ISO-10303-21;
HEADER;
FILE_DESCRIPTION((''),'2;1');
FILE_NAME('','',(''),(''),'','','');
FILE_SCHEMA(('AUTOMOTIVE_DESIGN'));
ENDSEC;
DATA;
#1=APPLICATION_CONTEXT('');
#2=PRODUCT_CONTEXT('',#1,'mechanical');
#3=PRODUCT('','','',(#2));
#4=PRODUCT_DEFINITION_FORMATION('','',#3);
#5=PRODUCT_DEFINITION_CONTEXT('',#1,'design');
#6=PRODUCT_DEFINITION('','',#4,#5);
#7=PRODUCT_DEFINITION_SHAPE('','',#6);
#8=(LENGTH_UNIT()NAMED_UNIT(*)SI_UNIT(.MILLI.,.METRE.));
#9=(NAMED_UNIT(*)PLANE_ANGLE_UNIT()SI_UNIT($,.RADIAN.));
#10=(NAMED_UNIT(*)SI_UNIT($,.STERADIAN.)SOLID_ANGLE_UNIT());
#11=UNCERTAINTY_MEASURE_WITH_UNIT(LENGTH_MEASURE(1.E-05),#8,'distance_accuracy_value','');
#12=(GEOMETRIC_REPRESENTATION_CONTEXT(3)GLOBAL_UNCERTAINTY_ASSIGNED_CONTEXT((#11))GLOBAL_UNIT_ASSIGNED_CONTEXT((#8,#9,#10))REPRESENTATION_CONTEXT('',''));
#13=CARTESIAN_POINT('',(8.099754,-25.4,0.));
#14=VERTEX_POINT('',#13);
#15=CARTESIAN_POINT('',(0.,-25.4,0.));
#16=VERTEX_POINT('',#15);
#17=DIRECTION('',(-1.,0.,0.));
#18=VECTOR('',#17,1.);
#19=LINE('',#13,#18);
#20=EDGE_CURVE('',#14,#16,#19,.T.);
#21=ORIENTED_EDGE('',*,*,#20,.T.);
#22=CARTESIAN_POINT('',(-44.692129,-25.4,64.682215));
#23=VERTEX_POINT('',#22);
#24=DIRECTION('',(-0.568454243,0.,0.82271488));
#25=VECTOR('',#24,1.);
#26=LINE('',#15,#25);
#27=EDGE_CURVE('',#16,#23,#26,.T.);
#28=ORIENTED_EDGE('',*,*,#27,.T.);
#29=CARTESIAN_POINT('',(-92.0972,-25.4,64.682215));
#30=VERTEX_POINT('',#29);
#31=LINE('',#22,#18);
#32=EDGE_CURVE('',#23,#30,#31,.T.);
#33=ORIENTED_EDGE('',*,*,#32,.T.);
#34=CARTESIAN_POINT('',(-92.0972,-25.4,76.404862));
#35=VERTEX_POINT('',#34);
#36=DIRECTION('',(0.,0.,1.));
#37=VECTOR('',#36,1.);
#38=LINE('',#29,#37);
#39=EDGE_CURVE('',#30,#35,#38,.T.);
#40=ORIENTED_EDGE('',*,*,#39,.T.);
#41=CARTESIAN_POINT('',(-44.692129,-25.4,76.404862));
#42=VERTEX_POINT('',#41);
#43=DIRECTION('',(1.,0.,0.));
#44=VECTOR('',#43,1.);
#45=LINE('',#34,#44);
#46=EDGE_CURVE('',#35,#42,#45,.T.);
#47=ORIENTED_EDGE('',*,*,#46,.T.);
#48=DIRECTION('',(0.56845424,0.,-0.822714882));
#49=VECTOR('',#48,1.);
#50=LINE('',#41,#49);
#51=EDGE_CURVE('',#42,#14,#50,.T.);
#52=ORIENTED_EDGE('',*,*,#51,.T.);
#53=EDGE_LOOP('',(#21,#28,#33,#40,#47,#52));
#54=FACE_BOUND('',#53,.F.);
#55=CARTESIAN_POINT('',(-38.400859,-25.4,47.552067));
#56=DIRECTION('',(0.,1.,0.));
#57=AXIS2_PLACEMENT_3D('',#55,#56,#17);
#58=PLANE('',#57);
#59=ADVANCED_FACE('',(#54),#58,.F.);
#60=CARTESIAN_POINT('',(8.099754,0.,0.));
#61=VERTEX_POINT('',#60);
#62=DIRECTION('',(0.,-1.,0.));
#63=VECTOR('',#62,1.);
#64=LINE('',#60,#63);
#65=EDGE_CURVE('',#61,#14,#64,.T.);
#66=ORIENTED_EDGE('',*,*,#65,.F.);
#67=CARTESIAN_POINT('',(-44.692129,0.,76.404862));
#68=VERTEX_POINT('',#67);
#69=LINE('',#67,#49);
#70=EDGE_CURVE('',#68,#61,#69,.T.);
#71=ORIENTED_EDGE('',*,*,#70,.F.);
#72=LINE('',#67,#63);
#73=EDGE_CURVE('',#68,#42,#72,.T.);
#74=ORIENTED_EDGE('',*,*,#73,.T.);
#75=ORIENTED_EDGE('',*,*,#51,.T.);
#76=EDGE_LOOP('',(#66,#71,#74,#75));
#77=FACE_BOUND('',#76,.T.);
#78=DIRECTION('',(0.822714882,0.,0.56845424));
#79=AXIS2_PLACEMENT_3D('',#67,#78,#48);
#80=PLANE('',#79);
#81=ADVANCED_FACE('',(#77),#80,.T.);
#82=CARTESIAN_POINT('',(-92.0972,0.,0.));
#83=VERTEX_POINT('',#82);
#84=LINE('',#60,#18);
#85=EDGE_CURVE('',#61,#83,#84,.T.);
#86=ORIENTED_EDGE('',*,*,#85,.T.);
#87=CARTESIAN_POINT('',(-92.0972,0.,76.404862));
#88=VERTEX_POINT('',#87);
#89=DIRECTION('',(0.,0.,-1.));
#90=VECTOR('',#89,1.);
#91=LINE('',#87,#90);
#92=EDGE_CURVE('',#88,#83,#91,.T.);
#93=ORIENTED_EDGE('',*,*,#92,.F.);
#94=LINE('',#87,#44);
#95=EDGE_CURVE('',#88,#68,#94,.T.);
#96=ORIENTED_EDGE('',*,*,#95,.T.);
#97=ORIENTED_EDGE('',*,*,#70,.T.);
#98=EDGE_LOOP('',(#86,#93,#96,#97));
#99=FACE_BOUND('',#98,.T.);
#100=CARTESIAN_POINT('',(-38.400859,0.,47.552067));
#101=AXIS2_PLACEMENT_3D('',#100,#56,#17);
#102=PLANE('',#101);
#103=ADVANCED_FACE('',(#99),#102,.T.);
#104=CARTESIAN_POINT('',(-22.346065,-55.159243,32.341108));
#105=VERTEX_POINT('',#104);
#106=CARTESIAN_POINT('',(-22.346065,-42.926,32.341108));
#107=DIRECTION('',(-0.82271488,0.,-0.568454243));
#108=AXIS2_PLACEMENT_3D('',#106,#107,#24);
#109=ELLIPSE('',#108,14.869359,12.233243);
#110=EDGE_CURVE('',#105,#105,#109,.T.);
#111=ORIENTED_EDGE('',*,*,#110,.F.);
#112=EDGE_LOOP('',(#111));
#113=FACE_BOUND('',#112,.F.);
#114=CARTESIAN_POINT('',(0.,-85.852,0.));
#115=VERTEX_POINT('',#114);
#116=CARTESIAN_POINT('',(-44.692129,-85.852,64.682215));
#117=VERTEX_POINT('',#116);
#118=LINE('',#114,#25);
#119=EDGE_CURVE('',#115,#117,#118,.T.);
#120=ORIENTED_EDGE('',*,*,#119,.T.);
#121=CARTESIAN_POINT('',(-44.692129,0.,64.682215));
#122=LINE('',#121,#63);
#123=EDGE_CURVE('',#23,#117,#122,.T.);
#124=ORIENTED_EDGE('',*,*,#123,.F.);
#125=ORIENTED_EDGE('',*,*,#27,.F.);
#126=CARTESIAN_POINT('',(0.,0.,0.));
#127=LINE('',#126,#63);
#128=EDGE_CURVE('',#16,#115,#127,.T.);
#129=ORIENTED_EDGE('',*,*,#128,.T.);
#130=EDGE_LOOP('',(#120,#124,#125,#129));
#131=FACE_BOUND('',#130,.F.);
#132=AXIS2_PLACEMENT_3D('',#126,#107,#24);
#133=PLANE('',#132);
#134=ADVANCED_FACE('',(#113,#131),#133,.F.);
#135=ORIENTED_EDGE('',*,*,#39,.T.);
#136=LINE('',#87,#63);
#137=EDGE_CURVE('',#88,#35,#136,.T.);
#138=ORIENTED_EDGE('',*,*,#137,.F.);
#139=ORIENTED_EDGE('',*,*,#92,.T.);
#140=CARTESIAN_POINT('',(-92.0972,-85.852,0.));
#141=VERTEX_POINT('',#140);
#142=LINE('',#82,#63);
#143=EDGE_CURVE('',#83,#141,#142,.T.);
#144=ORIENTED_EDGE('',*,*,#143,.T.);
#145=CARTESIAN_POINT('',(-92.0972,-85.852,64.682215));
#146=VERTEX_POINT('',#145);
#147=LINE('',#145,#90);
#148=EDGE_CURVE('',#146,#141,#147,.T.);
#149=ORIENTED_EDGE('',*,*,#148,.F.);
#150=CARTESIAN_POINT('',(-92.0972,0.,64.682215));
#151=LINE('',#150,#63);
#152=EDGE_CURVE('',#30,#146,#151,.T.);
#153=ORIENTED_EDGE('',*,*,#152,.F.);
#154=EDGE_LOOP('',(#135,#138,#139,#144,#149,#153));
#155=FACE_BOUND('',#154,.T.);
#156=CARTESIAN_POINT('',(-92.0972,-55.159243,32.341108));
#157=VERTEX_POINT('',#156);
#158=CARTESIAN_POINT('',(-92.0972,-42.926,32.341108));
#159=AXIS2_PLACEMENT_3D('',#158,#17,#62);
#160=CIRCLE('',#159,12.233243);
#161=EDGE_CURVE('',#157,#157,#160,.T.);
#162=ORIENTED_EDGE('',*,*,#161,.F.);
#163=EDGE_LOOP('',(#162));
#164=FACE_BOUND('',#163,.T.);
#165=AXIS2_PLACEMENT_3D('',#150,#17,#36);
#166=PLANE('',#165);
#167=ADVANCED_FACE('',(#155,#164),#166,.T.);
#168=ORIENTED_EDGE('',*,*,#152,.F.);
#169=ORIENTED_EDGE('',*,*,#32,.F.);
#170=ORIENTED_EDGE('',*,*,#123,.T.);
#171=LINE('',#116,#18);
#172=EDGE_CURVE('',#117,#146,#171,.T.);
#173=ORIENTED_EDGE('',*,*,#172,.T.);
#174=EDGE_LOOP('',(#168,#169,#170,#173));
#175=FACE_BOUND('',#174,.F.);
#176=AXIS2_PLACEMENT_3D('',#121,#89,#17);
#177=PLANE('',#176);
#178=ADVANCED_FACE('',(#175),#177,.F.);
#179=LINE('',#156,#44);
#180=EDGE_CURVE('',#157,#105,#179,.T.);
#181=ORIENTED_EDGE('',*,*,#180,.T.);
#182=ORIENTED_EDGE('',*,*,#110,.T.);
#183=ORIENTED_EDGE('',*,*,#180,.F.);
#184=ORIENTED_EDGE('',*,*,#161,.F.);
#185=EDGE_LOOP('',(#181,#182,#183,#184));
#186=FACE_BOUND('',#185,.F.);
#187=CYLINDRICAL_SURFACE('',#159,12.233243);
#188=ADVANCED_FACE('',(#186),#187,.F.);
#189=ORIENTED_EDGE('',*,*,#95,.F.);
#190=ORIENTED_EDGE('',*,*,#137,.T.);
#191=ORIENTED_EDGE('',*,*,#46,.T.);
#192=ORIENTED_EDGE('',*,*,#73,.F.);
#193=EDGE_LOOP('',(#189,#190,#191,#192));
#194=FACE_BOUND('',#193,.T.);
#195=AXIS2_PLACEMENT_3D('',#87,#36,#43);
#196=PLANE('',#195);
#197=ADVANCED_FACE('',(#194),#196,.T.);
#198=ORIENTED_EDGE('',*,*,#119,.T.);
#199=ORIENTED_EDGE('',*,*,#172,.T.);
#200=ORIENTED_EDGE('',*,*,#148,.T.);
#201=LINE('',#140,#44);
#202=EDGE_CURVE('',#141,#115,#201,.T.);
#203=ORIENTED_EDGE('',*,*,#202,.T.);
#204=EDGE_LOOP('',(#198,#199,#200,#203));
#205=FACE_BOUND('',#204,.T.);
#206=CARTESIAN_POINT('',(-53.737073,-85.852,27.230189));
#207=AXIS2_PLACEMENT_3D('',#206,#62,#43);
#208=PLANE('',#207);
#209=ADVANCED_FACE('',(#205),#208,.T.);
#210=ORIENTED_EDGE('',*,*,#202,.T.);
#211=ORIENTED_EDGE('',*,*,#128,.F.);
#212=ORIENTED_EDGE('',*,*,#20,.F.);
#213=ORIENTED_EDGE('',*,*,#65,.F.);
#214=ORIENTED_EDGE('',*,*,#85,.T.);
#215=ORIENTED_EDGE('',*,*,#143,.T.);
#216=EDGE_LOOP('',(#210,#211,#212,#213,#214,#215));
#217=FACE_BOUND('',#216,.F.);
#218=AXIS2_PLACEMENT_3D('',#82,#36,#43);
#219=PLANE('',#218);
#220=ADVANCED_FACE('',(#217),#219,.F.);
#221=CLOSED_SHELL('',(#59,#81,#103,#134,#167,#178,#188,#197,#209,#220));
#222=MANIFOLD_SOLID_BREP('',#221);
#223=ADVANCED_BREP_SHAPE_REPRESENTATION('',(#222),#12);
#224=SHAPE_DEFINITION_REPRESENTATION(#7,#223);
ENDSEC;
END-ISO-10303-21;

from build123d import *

# Parameters (mm, degrees)
F1_DEPTH = 85.852
F3_DEPTH = 25.4
F4_R     = 12.233243
F5_DEPTH = 100.197954


with BuildPart() as f1:
    # F0 (on Front) → F1 (new body)
    with BuildSketch(Plane.XZ):
        Polygon((-92.0972, 0), (0, 0), (-44.692129, 64.682215), (-92.0972, 64.682215), align=None)
    extrude(amount=F1_DEPTH)

    # F2 (on face) → F3 (join)
    with BuildSketch(Plane(origin=(0, 0, 0), x_dir=(-1, 0, 0), z_dir=(0, 1, 0))):
        Polygon((44.692129, 64.682215), (92.0972, 64.682215), (92.0972, 76.404862), (44.692129, 76.404862), (-8.099754, 0), (0, 0), align=None)
    extrude(amount=-F3_DEPTH)

    # F4 (on face) → F5 (cut, through all)
    with BuildSketch(Plane(origin=(-92.0972, 0, 0), x_dir=(0, -1, 0), z_dir=(-1, 0, 0))):
        with Locations((42.926, 32.341108)):
            Circle(F4_R)
    extrude(amount=-F5_DEPTH, mode=Mode.SUBTRACT)


solid = f1.part
